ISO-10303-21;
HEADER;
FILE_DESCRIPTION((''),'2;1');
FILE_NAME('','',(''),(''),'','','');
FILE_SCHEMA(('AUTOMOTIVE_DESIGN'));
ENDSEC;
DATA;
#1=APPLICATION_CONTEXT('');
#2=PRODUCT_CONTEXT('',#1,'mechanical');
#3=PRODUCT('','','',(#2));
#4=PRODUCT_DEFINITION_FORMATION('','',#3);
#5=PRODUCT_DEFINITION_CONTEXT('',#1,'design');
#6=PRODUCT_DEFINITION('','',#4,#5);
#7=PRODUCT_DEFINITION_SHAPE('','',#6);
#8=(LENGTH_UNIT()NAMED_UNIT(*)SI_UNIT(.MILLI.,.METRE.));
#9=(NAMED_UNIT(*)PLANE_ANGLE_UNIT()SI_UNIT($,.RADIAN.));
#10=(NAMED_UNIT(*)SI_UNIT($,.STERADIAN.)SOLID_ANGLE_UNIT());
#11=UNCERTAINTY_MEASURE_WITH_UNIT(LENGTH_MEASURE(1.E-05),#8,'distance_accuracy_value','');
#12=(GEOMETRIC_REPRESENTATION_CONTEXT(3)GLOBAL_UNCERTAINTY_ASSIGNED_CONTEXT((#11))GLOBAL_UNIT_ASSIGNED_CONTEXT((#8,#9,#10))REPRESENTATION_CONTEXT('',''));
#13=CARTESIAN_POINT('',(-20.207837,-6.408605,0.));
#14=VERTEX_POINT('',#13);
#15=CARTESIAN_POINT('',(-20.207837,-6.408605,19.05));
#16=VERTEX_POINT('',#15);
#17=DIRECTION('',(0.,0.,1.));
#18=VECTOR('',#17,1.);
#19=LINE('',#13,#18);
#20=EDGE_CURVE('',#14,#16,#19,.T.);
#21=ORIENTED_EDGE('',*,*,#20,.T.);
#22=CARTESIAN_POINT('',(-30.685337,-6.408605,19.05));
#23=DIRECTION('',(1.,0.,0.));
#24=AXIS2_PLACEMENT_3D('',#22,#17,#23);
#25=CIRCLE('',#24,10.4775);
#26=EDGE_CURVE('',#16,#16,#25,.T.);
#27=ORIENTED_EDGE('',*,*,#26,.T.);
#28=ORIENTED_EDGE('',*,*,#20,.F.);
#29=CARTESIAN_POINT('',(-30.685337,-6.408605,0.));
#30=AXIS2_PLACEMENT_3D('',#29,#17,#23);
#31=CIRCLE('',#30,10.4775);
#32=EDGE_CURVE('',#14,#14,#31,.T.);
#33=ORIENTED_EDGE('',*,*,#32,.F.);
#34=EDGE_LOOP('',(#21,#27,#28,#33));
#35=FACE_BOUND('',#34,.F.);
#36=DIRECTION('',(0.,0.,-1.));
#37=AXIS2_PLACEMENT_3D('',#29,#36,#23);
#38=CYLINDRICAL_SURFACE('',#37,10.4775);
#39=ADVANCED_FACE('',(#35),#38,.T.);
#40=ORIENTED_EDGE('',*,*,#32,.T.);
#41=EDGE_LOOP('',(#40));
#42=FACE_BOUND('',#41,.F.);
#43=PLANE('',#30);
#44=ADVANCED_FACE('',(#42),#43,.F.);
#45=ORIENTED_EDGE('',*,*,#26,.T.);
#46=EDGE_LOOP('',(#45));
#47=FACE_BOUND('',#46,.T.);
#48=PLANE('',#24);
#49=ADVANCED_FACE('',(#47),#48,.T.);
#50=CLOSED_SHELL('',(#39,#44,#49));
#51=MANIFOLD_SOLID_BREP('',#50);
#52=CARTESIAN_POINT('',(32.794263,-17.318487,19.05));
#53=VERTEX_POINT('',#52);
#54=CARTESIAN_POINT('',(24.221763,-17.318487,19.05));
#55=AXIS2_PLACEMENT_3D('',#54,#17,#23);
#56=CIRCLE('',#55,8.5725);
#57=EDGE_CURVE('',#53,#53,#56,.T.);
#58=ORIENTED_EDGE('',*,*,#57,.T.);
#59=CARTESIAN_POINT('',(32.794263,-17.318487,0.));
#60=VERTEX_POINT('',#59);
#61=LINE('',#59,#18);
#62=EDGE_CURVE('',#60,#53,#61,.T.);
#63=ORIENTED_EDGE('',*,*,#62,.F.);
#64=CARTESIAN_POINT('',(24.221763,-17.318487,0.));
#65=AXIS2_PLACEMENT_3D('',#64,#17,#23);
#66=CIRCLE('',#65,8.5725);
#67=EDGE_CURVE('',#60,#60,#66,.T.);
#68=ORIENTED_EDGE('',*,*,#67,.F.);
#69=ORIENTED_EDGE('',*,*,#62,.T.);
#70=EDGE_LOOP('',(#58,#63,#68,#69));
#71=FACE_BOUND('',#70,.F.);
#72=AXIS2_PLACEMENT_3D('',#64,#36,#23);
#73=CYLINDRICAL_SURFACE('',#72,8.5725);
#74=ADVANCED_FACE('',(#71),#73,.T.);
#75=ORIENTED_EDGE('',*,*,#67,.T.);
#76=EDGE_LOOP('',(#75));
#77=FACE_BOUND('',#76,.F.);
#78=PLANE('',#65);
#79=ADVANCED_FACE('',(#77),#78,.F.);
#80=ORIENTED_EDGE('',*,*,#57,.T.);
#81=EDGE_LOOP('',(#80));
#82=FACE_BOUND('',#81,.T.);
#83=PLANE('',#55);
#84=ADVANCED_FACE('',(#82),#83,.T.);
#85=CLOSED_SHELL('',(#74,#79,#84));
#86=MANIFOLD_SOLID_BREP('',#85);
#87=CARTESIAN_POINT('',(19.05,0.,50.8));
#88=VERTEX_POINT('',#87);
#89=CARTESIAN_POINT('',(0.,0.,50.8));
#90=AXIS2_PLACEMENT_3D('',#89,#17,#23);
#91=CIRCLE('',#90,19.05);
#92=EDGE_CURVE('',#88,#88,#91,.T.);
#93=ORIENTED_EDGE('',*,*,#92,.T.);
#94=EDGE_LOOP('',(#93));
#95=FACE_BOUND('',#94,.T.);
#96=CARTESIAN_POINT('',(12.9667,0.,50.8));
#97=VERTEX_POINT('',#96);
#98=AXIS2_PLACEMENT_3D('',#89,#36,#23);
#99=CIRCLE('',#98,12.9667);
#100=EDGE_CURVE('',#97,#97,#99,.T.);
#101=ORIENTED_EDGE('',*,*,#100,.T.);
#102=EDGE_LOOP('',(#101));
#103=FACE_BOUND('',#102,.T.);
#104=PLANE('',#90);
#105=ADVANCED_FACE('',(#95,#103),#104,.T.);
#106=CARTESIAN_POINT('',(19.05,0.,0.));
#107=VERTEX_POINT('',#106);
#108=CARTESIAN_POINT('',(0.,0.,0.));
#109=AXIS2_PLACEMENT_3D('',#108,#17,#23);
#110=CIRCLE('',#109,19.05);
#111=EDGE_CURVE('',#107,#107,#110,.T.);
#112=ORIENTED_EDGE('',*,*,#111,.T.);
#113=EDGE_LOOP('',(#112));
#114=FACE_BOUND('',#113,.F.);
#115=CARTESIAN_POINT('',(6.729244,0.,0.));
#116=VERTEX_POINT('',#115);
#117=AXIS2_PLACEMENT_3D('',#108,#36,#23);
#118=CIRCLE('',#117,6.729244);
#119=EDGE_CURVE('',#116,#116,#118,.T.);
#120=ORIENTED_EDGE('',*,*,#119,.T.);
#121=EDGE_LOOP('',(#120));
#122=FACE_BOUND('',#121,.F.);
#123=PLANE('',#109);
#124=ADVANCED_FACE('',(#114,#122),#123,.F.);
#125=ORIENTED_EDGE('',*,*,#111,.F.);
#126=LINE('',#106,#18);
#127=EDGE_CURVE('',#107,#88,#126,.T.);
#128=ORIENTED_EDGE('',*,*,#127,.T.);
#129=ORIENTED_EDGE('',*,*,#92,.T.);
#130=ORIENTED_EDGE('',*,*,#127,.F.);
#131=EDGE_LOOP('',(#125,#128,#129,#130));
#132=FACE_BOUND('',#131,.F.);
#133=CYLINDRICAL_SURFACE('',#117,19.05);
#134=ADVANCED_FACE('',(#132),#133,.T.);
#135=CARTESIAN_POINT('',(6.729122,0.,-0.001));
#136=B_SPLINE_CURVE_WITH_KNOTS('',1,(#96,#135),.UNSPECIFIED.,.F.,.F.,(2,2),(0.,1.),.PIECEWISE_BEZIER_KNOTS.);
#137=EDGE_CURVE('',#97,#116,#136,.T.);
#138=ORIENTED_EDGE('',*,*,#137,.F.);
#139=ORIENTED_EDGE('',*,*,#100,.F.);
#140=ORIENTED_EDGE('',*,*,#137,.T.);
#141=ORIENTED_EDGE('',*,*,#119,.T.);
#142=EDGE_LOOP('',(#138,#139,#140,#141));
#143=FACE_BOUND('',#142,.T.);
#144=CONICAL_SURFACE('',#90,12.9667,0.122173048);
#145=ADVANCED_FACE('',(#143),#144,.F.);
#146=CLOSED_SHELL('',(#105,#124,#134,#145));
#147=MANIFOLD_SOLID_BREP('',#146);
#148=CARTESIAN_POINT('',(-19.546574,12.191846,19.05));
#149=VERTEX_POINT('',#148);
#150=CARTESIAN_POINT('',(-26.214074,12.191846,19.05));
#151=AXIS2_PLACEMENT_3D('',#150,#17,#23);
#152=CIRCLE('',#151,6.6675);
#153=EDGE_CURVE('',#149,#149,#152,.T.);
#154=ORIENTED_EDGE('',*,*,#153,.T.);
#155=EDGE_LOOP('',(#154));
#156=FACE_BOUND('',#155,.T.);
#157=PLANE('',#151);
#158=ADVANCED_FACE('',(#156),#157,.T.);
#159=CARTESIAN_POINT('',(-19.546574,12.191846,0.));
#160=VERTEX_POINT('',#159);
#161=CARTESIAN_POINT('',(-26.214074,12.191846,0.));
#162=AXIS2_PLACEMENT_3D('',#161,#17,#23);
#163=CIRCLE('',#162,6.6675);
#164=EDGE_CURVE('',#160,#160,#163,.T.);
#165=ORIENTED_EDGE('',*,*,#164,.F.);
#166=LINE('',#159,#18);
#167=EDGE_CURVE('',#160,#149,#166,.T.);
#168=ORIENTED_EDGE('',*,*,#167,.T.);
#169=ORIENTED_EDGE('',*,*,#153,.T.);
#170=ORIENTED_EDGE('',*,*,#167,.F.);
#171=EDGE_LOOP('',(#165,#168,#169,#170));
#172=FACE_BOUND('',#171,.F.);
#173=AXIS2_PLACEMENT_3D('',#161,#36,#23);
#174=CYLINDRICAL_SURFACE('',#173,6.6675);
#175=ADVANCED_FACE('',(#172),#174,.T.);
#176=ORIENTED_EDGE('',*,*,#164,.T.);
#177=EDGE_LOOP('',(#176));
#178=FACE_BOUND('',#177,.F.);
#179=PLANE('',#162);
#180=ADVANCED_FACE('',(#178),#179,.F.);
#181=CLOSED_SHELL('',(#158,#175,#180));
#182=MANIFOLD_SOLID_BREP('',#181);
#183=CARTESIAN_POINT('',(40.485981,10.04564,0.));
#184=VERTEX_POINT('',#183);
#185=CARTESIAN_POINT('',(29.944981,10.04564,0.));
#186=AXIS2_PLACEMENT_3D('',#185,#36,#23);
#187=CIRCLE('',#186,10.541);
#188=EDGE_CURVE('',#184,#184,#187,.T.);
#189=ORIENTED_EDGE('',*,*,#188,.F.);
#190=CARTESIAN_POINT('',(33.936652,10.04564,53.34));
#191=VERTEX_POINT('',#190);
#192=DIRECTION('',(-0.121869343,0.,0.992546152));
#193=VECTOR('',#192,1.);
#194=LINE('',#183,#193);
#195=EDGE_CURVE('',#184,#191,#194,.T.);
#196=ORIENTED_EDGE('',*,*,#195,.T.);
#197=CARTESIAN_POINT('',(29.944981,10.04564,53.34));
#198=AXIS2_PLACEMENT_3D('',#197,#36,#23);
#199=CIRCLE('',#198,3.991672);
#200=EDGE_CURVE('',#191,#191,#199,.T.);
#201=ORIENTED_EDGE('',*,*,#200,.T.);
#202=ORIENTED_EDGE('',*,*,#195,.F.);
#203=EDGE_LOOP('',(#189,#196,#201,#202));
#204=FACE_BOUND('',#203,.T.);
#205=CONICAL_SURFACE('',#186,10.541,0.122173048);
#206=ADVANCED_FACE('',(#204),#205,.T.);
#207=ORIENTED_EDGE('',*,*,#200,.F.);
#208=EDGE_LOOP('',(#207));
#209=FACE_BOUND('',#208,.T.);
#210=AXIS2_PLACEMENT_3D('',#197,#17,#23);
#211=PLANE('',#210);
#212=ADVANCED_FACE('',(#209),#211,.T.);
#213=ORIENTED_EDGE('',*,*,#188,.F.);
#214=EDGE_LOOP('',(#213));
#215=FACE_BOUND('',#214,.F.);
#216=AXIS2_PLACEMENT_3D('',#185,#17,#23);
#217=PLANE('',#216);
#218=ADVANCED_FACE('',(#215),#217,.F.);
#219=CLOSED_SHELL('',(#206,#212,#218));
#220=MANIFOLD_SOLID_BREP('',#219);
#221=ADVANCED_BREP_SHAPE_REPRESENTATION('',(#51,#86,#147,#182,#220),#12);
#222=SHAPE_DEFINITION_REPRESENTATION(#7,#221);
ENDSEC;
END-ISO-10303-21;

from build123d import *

# Parameters (mm, degrees)
F0_R      = 19.05
F1_DEPTH  = 50.8
F2_R      = 12.9667
F3_DEPTH  = 50.801
F3_TAPER  = 7
F4_R      = 6.6675
F5_DEPTH  = 19.05
F6_R      = 8.5725
F7_DEPTH  = 19.05
F8_R      = 10.4775
F9_DEPTH  = 19.05
F10_R     = 10.541
F11_DEPTH = 53.34
F11_TAPER = 7


with BuildPart() as f1:
    # F0 (on Top) → F1 (new body)
    with BuildSketch(Plane.XY):
        Circle(F0_R)
    extrude(amount=F1_DEPTH)

    # F2 (on face) → F3 (cut, through all)
    with BuildSketch(Plane.XY.offset(50.8)):
        Circle(F2_R)
    extrude(amount=-F3_DEPTH, taper=F3_TAPER, mode=Mode.SUBTRACT)


with BuildPart() as f5:
    # F4 (on Top) → F5 (new body)
    with BuildSketch(Plane.XY):
        with Locations((-26.2140743434, 12.1918460354)):
            Circle(F4_R)
    extrude(amount=F5_DEPTH)


with BuildPart() as f7:
    # F6 (on Top) → F7 (new body)
    with BuildSketch(Plane.XY):
        with Locations((24.2217630148, -17.3184871674)):
            Circle(F6_R)
    extrude(amount=F7_DEPTH)


with BuildPart() as f9:
    # F8 (on Top) → F9 (new body)
    with BuildSketch(Plane.XY):
        with Locations((-30.6853372604, -6.4086052589)):
            Circle(F8_R)
    extrude(amount=F9_DEPTH)


with BuildPart() as f11:
    # F10 (on Top) → F11 (new body)
    with BuildSketch(Plane.XY):
        with Locations((29.944980517, 10.0456401706)):
            Circle(F10_R)
    extrude(amount=F11_DEPTH, taper=F11_TAPER)


solid = Compound([f1.part, f5.part, f7.part, f9.part, f11.part])
